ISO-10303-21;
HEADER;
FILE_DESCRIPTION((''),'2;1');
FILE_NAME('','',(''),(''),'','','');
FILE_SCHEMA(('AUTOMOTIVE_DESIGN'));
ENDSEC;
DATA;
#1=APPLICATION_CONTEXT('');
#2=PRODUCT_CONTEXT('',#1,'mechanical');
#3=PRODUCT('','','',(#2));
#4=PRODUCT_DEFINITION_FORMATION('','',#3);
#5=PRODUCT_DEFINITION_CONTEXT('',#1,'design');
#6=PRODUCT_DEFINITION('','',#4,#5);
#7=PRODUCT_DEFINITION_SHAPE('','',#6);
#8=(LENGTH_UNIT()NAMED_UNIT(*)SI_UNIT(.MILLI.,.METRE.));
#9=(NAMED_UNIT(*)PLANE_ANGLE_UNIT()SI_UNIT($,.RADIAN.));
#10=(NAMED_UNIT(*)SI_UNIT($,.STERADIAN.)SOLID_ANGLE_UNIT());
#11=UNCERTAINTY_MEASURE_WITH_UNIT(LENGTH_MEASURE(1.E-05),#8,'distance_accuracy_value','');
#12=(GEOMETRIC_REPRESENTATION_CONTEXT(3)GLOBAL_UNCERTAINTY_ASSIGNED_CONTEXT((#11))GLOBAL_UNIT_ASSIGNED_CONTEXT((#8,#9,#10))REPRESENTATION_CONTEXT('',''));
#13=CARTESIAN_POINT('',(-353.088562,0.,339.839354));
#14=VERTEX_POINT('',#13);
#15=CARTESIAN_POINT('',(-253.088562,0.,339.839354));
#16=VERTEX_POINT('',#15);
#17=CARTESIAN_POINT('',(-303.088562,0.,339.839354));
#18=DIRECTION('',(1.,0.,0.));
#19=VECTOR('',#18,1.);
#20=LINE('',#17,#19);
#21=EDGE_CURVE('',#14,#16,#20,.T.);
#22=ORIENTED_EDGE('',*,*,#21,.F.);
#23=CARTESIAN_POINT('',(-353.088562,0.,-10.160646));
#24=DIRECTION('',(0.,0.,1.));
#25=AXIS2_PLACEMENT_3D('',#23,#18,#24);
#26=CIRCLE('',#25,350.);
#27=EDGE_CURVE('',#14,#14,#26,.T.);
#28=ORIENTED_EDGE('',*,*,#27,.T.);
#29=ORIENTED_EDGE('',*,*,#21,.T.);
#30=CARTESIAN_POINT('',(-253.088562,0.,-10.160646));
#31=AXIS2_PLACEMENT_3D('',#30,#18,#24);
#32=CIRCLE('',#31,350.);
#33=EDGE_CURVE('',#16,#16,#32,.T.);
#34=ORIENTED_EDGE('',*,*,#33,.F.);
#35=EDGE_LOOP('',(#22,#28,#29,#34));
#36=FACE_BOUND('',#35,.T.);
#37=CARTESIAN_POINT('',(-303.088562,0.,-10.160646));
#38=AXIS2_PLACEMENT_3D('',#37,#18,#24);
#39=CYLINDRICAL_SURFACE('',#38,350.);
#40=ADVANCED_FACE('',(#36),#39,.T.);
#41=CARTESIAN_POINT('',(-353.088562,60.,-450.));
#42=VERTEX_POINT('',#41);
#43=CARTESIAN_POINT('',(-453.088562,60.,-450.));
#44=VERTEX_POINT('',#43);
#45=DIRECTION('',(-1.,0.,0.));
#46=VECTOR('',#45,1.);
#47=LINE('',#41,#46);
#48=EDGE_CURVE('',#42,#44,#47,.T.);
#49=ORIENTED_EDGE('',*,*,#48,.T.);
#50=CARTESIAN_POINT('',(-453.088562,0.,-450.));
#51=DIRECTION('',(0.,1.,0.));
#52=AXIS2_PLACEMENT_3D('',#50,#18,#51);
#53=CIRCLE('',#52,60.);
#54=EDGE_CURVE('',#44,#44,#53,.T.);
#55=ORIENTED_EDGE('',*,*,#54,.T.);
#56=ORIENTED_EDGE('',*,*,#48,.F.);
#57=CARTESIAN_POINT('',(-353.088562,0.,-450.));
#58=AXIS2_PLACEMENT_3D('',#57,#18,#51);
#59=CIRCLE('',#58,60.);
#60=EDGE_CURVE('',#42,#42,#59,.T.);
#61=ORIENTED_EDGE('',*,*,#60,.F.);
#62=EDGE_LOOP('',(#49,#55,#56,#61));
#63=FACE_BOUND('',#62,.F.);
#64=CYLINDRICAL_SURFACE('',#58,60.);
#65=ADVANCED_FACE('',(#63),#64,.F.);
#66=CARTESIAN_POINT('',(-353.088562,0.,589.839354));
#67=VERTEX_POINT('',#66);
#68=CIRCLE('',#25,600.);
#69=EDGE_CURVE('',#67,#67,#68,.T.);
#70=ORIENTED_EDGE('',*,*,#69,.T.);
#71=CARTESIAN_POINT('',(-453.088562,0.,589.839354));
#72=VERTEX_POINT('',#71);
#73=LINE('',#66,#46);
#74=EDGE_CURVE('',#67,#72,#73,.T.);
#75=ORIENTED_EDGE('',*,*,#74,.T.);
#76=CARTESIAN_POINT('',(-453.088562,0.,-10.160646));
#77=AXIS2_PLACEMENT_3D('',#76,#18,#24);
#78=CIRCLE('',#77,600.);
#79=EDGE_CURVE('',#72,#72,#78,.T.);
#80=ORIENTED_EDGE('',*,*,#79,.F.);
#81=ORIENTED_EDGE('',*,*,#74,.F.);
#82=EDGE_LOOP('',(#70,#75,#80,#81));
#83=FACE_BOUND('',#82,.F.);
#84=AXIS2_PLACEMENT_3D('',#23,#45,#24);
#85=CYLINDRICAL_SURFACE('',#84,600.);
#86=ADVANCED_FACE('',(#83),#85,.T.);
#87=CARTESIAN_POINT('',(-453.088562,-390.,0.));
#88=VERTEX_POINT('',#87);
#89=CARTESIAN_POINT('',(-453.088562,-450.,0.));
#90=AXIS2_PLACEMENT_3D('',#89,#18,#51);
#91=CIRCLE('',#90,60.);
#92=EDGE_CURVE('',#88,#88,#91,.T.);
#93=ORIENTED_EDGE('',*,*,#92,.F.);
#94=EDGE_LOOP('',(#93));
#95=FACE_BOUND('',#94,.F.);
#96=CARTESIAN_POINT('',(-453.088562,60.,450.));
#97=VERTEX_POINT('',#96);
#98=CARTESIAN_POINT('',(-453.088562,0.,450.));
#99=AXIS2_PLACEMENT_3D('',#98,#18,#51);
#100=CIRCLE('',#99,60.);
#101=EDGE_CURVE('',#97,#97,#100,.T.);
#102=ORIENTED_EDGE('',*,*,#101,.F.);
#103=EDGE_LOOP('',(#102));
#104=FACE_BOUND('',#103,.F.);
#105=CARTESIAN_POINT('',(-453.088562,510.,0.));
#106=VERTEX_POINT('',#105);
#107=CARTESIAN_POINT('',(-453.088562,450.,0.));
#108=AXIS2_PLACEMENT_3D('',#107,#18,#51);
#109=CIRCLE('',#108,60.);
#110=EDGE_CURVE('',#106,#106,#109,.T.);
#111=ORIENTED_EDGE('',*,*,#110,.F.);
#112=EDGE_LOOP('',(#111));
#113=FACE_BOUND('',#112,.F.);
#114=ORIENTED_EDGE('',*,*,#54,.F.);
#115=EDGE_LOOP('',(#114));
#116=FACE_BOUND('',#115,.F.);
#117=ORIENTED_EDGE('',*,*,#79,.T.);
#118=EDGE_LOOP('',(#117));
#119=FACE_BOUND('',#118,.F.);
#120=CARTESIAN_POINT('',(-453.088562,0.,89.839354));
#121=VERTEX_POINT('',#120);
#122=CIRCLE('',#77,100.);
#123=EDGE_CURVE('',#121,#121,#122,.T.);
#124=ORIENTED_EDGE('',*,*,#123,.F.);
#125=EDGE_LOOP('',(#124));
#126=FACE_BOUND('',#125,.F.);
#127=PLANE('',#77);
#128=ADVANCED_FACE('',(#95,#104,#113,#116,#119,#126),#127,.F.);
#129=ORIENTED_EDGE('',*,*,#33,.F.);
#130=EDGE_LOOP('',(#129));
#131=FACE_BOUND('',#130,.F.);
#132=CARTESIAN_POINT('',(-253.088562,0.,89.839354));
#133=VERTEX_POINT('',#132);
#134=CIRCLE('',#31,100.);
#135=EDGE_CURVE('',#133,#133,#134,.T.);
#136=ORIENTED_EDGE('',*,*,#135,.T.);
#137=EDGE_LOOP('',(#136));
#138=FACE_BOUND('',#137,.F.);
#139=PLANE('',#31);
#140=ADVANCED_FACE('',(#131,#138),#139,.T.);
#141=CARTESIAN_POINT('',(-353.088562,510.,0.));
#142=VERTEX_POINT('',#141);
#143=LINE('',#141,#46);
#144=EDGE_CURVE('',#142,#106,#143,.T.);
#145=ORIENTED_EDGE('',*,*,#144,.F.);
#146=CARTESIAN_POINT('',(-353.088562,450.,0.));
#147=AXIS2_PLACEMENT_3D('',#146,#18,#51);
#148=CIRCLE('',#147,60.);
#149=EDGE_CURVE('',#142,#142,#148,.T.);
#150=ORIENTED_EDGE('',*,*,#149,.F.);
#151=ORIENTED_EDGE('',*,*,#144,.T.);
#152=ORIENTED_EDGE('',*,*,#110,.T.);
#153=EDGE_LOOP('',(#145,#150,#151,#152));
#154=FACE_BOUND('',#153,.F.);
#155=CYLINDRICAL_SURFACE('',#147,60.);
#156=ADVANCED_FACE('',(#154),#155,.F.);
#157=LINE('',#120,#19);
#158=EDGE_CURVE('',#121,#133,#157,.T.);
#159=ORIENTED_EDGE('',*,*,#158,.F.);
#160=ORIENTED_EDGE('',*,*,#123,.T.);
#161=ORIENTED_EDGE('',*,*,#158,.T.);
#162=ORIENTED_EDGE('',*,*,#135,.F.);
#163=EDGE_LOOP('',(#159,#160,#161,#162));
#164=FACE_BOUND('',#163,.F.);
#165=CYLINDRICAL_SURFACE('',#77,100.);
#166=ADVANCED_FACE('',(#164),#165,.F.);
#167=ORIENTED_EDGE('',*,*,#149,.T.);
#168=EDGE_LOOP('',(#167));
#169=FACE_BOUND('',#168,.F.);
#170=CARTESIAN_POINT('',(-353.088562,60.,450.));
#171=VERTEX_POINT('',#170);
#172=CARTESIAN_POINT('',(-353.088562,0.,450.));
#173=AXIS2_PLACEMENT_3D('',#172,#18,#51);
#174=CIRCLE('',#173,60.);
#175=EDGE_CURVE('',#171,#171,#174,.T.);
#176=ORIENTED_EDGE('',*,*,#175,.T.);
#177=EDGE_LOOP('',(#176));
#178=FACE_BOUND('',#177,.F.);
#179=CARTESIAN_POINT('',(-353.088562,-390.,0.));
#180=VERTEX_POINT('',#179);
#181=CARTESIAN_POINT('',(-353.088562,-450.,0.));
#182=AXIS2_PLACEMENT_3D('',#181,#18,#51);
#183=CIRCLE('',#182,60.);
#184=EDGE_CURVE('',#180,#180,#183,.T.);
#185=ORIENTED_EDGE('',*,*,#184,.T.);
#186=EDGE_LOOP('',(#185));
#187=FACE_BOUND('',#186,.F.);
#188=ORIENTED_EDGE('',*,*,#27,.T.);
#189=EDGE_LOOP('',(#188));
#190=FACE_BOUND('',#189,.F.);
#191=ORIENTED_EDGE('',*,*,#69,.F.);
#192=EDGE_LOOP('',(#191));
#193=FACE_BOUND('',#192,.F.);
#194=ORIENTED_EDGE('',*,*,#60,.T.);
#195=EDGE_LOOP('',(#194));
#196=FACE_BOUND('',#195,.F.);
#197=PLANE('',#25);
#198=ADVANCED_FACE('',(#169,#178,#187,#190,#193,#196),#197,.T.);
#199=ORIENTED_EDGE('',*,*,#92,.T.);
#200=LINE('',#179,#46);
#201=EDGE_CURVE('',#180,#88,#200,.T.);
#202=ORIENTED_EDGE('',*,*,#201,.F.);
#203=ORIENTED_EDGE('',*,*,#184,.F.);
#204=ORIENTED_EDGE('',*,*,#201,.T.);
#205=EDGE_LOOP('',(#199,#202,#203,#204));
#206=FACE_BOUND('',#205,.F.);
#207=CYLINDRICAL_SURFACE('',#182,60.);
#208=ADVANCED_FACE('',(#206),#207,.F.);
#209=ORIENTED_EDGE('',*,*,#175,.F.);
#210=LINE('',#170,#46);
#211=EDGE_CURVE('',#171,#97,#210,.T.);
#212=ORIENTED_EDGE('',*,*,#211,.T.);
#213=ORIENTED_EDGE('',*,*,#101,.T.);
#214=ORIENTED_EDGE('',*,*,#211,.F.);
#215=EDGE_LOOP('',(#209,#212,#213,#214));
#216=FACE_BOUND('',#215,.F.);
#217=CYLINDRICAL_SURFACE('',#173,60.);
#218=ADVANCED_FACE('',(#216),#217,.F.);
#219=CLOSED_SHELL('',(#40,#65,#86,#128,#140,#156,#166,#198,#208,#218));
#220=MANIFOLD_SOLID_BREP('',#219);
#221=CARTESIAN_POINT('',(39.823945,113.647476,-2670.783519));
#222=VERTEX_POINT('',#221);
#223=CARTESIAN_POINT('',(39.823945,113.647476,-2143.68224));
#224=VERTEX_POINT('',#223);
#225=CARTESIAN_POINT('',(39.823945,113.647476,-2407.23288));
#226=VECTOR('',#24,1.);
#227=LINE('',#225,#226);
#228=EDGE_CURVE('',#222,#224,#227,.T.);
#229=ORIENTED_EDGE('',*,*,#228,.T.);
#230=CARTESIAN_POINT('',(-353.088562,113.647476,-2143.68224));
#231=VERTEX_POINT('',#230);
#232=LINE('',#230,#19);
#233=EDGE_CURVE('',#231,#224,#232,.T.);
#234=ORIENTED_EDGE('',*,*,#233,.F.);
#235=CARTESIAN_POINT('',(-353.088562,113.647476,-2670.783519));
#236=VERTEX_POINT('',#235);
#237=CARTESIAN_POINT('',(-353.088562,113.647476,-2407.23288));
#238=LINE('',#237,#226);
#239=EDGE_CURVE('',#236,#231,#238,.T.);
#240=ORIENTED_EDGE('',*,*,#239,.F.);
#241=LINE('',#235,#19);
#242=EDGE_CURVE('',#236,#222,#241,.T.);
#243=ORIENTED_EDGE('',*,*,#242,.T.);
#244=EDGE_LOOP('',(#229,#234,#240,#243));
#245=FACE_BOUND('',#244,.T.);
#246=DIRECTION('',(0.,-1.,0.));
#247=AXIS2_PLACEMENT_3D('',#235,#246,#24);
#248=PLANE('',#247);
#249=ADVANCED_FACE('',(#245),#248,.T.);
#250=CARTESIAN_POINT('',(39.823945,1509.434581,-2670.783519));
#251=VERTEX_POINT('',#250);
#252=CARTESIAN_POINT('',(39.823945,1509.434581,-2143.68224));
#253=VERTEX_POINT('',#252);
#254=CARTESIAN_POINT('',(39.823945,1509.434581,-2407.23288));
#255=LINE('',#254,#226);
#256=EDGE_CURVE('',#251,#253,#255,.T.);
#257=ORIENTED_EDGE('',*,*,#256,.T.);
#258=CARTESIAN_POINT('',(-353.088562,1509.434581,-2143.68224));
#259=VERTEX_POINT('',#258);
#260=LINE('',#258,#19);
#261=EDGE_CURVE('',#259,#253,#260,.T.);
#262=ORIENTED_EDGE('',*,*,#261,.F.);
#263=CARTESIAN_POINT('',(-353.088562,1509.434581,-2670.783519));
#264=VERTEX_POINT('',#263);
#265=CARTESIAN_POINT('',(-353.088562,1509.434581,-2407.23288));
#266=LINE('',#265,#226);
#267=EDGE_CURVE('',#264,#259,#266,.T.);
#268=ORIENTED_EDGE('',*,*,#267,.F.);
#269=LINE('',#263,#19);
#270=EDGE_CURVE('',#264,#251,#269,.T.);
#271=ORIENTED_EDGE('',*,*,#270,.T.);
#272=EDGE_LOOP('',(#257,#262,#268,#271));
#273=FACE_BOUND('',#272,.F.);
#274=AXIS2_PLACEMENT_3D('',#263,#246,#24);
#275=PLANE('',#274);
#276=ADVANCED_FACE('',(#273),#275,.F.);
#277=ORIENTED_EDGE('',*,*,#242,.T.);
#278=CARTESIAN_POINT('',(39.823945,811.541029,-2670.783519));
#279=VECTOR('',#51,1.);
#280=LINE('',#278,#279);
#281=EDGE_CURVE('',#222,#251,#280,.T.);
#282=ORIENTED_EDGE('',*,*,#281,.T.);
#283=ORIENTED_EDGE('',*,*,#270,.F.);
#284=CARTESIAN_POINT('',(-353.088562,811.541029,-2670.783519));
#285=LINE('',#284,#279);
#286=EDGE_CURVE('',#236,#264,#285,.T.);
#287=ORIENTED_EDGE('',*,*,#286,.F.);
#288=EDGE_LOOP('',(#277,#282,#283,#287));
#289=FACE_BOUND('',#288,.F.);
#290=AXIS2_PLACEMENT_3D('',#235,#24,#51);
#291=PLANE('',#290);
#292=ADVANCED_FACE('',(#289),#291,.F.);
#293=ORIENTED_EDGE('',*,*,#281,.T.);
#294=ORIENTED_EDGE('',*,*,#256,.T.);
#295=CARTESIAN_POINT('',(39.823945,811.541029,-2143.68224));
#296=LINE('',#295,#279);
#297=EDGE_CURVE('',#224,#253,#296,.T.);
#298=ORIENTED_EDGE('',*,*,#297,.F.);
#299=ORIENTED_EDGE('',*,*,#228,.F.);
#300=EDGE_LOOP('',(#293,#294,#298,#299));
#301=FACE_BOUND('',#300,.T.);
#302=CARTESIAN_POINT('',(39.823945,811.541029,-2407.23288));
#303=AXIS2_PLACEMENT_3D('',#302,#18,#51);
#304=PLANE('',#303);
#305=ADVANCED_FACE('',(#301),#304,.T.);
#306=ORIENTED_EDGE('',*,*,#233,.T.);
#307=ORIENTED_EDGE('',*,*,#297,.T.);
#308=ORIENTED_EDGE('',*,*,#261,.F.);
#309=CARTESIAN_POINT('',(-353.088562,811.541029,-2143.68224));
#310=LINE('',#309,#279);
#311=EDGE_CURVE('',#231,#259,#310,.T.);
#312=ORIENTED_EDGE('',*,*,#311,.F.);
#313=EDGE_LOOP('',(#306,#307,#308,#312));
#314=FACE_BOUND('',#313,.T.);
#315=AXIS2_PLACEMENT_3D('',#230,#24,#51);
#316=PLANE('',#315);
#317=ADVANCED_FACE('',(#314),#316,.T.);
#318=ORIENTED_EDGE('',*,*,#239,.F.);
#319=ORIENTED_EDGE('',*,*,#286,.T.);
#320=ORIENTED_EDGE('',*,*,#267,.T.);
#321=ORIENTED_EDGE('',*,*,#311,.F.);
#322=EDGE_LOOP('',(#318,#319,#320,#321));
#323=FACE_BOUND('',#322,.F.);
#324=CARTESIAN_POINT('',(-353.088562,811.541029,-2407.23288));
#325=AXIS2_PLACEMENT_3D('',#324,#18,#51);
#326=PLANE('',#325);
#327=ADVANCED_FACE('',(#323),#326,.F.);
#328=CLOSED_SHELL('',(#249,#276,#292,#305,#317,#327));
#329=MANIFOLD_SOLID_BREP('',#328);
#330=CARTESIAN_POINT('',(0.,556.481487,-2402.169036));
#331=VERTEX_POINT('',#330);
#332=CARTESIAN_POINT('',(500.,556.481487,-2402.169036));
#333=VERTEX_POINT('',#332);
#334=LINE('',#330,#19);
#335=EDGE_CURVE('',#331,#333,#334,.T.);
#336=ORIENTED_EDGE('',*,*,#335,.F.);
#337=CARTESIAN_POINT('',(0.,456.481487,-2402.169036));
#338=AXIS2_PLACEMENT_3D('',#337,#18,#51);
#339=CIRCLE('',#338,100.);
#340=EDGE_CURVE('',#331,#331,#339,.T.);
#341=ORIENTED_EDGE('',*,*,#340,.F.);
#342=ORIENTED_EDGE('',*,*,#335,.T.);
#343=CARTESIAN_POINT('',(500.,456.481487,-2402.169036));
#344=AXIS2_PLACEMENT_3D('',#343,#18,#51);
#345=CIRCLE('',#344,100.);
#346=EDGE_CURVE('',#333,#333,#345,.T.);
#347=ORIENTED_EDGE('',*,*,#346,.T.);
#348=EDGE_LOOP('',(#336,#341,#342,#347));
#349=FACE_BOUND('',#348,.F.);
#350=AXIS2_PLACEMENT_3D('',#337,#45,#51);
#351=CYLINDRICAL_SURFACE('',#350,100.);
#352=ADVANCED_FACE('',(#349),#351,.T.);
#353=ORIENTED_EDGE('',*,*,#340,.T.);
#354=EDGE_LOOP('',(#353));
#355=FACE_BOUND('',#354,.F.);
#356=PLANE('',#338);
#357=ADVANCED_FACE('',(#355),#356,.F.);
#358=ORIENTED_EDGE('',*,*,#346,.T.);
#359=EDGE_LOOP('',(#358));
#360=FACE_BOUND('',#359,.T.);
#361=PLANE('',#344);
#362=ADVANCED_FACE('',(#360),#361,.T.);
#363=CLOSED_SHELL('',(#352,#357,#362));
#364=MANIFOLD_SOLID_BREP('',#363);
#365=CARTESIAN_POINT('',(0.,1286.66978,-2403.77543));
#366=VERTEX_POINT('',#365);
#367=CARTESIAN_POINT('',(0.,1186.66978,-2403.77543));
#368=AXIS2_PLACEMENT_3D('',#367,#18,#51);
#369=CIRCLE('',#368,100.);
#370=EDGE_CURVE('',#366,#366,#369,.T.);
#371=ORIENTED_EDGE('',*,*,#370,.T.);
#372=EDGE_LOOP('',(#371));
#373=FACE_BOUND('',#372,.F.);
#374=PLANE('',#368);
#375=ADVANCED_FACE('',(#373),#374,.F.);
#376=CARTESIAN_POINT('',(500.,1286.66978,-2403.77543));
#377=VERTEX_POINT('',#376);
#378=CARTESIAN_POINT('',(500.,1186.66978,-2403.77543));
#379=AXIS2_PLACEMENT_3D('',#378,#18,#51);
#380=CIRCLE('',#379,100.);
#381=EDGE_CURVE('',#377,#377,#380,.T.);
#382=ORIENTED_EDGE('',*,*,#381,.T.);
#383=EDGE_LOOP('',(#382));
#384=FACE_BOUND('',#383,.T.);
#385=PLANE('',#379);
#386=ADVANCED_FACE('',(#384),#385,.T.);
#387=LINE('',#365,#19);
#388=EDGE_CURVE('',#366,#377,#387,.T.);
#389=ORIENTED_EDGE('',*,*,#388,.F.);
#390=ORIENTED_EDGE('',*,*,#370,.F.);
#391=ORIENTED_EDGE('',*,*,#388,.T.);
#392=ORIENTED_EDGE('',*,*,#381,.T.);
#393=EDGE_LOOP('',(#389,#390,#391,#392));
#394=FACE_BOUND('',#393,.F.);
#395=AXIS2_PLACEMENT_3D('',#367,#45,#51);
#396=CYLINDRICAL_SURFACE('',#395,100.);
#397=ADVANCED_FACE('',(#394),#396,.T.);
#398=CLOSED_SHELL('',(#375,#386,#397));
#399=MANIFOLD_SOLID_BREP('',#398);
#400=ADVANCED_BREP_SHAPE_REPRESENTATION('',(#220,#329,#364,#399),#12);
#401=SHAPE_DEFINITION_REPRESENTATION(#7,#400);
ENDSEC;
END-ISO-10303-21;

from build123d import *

# Parameters (mm, degrees)
F0_W     = 100
F0_H     = 250
F2_R     = 60
F3_DEPTH = 100.001
F4_R     = 100
F5_R     = 100
F6_DEPTH = 500
F7_W     = 1395.787105
F7_H     = 527.101279
F8_DEPTH = 392.912507


with BuildPart() as f1:
    # F0 (on Front) → F1 (revolve)
    with BuildSketch(Plane.XZ):
        Polygon((-353.088562, 589.839354), (-453.088562, 589.839354), (-453.088562, 89.839354), (-353.088562, 89.839354), (-353.088562, 339.839354), align=None)
        with Locations((-303.088562, 214.839354)):
            Rectangle(F0_W, F0_H)
    revolve(axis=Axis((-324.166805, 0, -10.160646), (1, 0, 0)))

    # F2 (on face) → F3 (cut, through all)
    with BuildSketch(Plane.YZ.offset(-353.088562)):
        with Locations((-450, 0)):
            Circle(F2_R)
        with Locations((0, 450)):
            Circle(F2_R)
        with Locations((0, -450)):
            Circle(F2_R)
        with Locations((450, 0)):
            Circle(F2_R)
    extrude(amount=-F3_DEPTH, mode=Mode.SUBTRACT)


with BuildPart() as f6:
    # F4 (on Right) + F5 (on face) → F6 (new body)
    with BuildSketch(Plane.YZ):
        with Locations((1186.66978, -2403.77543)):
            Circle(F4_R)
    with BuildSketch(Plane.YZ):
        with Locations((456.481487, -2402.169036)):
            Circle(F5_R)
    extrude(amount=F6_DEPTH)


with BuildPart() as f8:
    # F7 (on face) → F8 (new body)
    with BuildSketch(Plane.YZ.offset(-353.088562)):
        with Locations((811.541029, -2407.23288)):
            Rectangle(F7_W, F7_H)
    extrude(amount=F8_DEPTH)


solid = Compound([f1.part, f6.part, f8.part])
